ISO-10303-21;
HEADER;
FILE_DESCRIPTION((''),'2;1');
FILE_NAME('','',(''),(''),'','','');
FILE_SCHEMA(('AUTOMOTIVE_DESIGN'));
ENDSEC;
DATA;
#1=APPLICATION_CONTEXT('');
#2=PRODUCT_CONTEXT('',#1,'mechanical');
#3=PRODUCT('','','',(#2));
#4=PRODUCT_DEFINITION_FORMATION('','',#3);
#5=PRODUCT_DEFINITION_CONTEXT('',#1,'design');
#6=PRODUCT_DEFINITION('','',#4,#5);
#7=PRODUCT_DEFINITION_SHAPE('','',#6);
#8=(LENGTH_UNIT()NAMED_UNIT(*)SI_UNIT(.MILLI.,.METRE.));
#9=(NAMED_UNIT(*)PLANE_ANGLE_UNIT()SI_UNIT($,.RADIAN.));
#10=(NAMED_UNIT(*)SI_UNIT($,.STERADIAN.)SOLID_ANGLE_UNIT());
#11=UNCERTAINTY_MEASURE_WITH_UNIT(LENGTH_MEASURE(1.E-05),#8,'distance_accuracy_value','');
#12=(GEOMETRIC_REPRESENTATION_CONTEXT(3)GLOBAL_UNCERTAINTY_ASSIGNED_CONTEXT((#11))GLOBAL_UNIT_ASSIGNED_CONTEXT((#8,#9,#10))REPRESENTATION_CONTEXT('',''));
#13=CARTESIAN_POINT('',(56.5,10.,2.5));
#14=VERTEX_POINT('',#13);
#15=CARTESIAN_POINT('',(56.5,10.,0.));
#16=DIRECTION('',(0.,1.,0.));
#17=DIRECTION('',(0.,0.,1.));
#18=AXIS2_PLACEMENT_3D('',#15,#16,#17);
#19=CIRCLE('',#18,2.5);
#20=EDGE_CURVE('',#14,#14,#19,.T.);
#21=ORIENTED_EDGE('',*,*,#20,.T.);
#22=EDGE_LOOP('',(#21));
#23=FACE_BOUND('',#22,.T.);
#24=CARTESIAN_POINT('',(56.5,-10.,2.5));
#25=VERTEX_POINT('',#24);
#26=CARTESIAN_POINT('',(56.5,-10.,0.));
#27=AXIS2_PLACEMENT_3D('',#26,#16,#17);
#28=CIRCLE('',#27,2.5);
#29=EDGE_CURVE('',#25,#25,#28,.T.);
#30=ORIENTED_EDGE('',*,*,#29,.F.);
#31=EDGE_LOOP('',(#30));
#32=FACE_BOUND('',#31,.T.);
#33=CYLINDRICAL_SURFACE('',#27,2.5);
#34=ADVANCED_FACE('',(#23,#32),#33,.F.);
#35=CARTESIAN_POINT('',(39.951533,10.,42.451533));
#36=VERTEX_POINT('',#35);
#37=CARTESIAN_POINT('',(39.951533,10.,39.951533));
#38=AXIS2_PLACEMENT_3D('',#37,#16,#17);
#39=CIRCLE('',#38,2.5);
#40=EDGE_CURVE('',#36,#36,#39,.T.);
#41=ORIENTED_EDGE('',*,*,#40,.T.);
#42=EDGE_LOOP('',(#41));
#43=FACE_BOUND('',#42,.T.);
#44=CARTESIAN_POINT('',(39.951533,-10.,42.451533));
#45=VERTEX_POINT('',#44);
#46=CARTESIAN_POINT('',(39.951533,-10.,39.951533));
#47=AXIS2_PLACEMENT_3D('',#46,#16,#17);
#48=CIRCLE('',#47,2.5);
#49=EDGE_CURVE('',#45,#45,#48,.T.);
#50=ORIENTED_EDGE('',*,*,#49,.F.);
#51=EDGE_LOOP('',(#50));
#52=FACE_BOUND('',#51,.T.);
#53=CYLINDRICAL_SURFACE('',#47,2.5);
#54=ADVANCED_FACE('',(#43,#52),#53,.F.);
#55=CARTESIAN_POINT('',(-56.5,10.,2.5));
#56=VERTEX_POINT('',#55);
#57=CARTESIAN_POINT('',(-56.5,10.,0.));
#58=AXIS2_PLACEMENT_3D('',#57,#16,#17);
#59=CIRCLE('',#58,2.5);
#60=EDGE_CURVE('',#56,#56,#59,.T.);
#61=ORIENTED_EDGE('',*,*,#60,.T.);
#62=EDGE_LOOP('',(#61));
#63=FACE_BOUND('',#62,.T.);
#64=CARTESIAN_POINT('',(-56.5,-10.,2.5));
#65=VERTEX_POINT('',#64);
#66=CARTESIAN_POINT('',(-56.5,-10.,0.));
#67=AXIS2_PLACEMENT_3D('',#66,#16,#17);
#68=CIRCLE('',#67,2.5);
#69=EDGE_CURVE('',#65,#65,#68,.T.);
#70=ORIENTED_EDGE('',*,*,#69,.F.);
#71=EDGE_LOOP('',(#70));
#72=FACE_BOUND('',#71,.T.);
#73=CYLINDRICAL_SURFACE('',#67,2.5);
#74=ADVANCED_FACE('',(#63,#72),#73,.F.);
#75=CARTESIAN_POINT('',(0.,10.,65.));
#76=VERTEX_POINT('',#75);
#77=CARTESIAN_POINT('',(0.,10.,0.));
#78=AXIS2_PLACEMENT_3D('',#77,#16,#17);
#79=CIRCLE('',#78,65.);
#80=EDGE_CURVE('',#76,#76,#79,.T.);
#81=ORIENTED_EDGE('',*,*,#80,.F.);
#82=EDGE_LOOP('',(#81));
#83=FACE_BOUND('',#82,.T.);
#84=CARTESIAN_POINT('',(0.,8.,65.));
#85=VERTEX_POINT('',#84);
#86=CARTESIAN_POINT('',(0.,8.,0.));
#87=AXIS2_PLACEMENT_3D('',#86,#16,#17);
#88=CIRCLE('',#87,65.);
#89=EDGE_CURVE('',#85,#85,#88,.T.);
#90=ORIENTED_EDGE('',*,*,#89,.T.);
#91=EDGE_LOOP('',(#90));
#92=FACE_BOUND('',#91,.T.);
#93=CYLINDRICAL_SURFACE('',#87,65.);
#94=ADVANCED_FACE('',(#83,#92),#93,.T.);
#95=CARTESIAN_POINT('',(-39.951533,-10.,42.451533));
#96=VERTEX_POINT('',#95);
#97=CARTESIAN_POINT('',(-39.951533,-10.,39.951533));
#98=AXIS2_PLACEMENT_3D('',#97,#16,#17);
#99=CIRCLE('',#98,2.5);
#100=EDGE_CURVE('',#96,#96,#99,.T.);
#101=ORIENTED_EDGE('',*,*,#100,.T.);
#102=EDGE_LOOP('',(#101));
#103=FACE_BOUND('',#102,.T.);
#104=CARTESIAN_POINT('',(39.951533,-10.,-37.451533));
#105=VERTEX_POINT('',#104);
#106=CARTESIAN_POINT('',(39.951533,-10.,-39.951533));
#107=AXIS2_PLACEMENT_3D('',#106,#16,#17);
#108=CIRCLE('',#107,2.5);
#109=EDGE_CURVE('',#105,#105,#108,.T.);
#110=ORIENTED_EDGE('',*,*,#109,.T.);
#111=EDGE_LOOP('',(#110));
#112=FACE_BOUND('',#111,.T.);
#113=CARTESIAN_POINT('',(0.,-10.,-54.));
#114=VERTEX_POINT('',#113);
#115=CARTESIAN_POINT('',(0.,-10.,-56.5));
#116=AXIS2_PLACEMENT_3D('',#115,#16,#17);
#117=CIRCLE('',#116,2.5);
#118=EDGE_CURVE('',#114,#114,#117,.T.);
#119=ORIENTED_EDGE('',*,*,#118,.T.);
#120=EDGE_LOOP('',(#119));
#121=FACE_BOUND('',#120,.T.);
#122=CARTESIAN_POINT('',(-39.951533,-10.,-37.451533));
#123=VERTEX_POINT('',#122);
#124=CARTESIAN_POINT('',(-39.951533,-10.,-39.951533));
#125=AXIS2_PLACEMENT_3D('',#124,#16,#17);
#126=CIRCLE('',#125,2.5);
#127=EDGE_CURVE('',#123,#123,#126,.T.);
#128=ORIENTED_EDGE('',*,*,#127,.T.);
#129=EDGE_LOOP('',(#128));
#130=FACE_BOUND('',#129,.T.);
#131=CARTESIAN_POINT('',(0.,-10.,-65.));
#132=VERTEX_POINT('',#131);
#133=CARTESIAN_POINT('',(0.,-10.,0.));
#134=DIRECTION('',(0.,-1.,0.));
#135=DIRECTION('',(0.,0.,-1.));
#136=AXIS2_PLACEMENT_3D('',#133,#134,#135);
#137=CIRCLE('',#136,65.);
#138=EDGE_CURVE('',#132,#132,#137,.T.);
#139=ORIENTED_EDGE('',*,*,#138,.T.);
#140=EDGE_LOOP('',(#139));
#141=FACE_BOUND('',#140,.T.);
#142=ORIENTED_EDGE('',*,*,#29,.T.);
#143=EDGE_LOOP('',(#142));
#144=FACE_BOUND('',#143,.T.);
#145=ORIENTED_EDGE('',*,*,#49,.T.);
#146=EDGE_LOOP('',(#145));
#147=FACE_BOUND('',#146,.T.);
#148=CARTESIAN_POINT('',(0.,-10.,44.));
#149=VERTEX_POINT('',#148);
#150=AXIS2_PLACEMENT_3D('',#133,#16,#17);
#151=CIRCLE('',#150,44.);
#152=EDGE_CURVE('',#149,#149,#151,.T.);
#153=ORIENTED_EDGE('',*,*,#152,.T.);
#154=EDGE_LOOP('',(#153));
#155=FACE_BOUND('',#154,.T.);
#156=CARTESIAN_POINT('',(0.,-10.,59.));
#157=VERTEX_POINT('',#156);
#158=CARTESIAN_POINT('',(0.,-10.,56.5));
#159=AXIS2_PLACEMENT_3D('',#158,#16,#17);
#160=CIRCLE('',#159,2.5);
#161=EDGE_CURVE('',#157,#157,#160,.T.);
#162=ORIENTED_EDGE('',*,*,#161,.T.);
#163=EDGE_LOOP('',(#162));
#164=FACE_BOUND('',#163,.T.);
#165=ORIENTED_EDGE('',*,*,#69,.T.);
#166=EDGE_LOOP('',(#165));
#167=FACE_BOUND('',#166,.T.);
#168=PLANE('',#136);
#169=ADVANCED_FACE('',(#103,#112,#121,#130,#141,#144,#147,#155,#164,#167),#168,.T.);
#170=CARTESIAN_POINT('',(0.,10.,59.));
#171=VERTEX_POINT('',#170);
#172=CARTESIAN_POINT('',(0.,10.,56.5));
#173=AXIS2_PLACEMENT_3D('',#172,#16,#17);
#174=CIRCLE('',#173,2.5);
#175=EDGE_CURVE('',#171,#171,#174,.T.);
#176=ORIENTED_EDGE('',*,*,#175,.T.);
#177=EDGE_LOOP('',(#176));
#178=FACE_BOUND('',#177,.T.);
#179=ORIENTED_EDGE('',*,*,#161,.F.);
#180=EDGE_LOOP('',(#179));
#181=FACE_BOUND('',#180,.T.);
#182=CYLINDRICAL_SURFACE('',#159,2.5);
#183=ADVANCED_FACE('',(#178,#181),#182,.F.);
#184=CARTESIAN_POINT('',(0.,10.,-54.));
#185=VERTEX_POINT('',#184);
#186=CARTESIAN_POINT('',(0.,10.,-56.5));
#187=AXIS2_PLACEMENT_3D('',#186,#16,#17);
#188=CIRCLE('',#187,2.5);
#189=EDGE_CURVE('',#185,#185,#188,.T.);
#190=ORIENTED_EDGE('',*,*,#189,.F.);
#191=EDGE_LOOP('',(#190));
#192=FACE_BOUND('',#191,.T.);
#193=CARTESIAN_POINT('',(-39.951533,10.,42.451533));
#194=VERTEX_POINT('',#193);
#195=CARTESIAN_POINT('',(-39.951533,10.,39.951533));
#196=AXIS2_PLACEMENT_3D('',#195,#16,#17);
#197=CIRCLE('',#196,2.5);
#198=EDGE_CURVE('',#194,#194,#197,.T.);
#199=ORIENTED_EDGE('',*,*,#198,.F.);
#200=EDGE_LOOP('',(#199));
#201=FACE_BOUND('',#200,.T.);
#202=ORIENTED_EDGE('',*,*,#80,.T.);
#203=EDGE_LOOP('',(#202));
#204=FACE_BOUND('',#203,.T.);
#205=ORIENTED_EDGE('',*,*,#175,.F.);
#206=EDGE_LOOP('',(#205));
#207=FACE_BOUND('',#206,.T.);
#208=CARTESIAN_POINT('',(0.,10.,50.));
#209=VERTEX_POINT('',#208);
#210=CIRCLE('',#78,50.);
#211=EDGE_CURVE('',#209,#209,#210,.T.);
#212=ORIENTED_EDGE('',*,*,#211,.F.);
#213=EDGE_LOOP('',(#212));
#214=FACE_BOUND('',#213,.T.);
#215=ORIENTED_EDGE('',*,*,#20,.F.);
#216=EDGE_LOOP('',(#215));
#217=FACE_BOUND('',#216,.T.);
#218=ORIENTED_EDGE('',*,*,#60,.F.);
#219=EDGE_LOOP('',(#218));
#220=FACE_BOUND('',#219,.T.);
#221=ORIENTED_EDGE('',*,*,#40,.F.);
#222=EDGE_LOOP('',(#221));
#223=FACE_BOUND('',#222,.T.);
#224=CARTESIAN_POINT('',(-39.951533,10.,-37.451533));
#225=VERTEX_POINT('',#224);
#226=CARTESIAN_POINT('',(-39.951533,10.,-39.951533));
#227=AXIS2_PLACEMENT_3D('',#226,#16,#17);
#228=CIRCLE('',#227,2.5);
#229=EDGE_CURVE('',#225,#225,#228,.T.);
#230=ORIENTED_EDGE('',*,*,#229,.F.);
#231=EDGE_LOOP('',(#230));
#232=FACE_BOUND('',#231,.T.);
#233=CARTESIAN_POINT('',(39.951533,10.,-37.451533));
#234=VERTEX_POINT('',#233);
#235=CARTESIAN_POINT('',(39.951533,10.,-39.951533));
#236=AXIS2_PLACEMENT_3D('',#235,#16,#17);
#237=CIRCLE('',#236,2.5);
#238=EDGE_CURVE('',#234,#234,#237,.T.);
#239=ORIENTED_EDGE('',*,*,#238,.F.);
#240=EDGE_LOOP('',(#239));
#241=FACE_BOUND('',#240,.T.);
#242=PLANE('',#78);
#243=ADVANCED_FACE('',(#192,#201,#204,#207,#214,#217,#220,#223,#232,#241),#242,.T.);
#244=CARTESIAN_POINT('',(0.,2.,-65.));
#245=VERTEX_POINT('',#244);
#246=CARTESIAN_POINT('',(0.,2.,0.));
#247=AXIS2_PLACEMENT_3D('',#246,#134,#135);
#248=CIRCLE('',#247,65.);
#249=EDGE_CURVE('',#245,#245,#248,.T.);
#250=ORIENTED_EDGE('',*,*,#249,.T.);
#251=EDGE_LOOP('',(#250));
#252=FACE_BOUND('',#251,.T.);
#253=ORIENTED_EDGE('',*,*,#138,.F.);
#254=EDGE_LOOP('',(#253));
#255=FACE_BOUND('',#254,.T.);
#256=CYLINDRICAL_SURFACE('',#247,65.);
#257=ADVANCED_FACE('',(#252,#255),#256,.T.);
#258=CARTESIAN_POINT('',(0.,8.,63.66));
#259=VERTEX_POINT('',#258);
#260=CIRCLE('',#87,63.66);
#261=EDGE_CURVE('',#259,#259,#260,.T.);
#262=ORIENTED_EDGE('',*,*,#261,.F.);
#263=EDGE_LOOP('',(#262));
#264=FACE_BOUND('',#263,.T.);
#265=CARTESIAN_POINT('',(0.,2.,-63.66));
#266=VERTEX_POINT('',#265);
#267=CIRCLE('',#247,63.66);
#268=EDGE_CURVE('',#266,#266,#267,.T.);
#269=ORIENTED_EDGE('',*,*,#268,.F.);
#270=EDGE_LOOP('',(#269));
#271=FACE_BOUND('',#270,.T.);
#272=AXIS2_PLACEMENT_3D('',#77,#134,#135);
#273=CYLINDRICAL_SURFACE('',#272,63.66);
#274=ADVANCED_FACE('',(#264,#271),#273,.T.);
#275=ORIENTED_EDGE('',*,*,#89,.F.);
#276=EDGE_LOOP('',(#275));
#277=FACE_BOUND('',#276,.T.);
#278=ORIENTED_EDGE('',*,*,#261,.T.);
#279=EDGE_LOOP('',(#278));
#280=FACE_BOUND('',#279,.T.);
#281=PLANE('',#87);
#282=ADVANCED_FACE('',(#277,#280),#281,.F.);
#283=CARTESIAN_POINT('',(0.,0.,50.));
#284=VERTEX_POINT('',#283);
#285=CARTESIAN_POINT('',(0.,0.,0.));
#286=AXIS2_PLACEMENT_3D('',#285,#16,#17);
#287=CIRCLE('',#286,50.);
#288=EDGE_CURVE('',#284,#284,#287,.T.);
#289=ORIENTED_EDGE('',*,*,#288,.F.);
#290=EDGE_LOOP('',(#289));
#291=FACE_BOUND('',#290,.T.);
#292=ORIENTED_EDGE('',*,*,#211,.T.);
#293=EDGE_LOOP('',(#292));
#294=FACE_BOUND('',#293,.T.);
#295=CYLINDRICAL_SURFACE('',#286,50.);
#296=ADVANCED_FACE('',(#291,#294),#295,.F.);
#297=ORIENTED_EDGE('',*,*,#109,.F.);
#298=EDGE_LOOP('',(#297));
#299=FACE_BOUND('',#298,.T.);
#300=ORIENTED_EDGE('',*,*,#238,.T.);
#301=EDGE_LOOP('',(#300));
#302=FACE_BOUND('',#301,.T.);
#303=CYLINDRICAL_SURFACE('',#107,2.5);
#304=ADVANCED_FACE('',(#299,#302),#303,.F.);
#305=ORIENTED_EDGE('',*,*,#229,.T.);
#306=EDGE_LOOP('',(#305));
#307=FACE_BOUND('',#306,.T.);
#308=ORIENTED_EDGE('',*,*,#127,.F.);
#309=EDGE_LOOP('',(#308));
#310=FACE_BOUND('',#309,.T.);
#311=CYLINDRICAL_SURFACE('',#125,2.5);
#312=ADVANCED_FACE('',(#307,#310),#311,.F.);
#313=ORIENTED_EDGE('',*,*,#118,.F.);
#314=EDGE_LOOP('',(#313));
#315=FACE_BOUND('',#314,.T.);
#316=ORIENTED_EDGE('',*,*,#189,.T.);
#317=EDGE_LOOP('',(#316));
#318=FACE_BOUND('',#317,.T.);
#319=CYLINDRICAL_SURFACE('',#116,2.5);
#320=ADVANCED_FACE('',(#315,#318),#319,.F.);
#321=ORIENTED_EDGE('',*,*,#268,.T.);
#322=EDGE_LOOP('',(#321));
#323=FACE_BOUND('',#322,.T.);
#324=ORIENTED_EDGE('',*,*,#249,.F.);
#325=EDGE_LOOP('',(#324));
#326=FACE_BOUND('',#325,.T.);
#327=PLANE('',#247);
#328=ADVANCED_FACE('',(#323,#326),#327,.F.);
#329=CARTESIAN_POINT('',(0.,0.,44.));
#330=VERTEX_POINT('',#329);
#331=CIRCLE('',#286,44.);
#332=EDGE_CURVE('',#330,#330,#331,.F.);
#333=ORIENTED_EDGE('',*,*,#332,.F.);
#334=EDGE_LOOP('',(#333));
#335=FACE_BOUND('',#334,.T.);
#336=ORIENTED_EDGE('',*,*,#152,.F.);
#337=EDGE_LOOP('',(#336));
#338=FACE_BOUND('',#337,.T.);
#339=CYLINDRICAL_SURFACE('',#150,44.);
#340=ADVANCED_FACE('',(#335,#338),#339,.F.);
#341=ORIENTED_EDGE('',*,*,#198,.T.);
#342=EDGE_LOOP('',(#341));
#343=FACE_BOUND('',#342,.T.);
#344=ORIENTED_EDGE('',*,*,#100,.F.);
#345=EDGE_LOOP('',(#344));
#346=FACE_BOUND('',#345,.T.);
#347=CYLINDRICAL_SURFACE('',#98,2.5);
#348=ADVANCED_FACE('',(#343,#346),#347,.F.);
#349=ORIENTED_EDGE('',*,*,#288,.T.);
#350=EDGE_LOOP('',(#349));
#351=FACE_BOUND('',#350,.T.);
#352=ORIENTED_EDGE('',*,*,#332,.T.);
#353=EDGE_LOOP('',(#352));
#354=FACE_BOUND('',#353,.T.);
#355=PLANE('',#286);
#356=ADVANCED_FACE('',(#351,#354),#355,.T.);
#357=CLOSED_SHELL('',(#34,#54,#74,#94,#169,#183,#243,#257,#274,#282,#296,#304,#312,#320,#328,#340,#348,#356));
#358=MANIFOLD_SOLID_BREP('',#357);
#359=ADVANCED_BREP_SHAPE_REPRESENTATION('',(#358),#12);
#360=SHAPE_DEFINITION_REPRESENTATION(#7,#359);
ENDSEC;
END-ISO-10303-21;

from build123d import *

# Parameters (mm, degrees)
SKETCH1_R                = 63.66
BOSS_EXTRUDE1_DEPTH      = 10
SKETCH2_R                = 65
BOSS_EXTRUDE2_DEPTH      = 2
BOSS_EXTRUDE3_DEPTH      = 10
BOSS_EXTRUDE3_DEPTH_BACK = 2
SKETCH3_R                = 65
SKETCH4_R                = 2.5
SKETCH4_R_2              = 44
CUT_EXTRUDE1_DEPTH       = 95.074438611
SKETCH5_R                = 50
CUT_EXTRUDE2_DEPTH       = 10


with BuildPart() as part:
    # Sketch1 → Boss-Extrude1 (new body)
    with BuildSketch(Plane(origin=(0, 0, 0), x_dir=(1, 0, 0), z_dir=(0, 1, 0))):
        with Locations(Location((0, 0, 0), (0, 0, 270))):
            Circle(SKETCH1_R)
    extrude(amount=BOSS_EXTRUDE1_DEPTH)

    # Sketch2 → Boss-Extrude2 (add)
    with BuildSketch(Plane(origin=(0, 10, 0), x_dir=(1, 0, 0), z_dir=(0, 1, 0))):
        with Locations(Location((0, 0, 0), (0, 0, 270))):
            Circle(SKETCH2_R)
    extrude(amount=-BOSS_EXTRUDE2_DEPTH)

    # Sketch3 → Boss-Extrude3 (add, two sides: drawn at the far end of the back side and taken through both)
    with BuildSketch(Plane.XZ.offset(-BOSS_EXTRUDE3_DEPTH_BACK)):
        with Locations(Location((0, 0, 0), (0, 0, 90))):
            Circle(SKETCH3_R)
    extrude(amount=BOSS_EXTRUDE3_DEPTH + BOSS_EXTRUDE3_DEPTH_BACK)

    # Sketch4 → Cut-Extrude1 (cut, through all)
    with BuildSketch(Plane(origin=(0, 10, 0), x_dir=(1, 0, 0), z_dir=(0, 1, 0))):
        with Locations(Location((0, 56.5, 0), (0, 0, 270))):
            Circle(SKETCH4_R)
        with Locations(Location((39.951533137, 39.951533137, 0), (0, 0, 270))):
            Circle(SKETCH4_R)
        with Locations(Location((56.5, 0, 0), (0, 0, 270))):
            Circle(SKETCH4_R)
        with Locations(Location((39.951533137, -39.951533137, 0), (0, 0, 270))):
            Circle(SKETCH4_R)
        with Locations(Location((0, -56.5, 0), (0, 0, 270))):
            Circle(SKETCH4_R)
        with Locations(Location((-39.951533137, -39.951533137, 0), (0, 0, 270))):
            Circle(SKETCH4_R)
        with Locations(Location((-56.5, 0, 0), (0, 0, 270))):
            Circle(SKETCH4_R)
        with Locations(Location((-39.951533137, 39.951533137, 0), (0, 0, 270))):
            Circle(SKETCH4_R)
        with Locations(Location((0, 0, 0), (0, 0, 270))):
            Circle(SKETCH4_R_2)
    extrude(amount=-CUT_EXTRUDE1_DEPTH, mode=Mode.SUBTRACT)

    # Sketch5 → Cut-Extrude2 (cut)
    with BuildSketch(Plane(origin=(0, 10, 0), x_dir=(1, 0, 0), z_dir=(0, 1, 0))):
        with Locations(Location((0, 0, 0), (0, 0, 270))):
            Circle(SKETCH5_R)
    extrude(amount=-CUT_EXTRUDE2_DEPTH, mode=Mode.SUBTRACT)


solid = part.part
